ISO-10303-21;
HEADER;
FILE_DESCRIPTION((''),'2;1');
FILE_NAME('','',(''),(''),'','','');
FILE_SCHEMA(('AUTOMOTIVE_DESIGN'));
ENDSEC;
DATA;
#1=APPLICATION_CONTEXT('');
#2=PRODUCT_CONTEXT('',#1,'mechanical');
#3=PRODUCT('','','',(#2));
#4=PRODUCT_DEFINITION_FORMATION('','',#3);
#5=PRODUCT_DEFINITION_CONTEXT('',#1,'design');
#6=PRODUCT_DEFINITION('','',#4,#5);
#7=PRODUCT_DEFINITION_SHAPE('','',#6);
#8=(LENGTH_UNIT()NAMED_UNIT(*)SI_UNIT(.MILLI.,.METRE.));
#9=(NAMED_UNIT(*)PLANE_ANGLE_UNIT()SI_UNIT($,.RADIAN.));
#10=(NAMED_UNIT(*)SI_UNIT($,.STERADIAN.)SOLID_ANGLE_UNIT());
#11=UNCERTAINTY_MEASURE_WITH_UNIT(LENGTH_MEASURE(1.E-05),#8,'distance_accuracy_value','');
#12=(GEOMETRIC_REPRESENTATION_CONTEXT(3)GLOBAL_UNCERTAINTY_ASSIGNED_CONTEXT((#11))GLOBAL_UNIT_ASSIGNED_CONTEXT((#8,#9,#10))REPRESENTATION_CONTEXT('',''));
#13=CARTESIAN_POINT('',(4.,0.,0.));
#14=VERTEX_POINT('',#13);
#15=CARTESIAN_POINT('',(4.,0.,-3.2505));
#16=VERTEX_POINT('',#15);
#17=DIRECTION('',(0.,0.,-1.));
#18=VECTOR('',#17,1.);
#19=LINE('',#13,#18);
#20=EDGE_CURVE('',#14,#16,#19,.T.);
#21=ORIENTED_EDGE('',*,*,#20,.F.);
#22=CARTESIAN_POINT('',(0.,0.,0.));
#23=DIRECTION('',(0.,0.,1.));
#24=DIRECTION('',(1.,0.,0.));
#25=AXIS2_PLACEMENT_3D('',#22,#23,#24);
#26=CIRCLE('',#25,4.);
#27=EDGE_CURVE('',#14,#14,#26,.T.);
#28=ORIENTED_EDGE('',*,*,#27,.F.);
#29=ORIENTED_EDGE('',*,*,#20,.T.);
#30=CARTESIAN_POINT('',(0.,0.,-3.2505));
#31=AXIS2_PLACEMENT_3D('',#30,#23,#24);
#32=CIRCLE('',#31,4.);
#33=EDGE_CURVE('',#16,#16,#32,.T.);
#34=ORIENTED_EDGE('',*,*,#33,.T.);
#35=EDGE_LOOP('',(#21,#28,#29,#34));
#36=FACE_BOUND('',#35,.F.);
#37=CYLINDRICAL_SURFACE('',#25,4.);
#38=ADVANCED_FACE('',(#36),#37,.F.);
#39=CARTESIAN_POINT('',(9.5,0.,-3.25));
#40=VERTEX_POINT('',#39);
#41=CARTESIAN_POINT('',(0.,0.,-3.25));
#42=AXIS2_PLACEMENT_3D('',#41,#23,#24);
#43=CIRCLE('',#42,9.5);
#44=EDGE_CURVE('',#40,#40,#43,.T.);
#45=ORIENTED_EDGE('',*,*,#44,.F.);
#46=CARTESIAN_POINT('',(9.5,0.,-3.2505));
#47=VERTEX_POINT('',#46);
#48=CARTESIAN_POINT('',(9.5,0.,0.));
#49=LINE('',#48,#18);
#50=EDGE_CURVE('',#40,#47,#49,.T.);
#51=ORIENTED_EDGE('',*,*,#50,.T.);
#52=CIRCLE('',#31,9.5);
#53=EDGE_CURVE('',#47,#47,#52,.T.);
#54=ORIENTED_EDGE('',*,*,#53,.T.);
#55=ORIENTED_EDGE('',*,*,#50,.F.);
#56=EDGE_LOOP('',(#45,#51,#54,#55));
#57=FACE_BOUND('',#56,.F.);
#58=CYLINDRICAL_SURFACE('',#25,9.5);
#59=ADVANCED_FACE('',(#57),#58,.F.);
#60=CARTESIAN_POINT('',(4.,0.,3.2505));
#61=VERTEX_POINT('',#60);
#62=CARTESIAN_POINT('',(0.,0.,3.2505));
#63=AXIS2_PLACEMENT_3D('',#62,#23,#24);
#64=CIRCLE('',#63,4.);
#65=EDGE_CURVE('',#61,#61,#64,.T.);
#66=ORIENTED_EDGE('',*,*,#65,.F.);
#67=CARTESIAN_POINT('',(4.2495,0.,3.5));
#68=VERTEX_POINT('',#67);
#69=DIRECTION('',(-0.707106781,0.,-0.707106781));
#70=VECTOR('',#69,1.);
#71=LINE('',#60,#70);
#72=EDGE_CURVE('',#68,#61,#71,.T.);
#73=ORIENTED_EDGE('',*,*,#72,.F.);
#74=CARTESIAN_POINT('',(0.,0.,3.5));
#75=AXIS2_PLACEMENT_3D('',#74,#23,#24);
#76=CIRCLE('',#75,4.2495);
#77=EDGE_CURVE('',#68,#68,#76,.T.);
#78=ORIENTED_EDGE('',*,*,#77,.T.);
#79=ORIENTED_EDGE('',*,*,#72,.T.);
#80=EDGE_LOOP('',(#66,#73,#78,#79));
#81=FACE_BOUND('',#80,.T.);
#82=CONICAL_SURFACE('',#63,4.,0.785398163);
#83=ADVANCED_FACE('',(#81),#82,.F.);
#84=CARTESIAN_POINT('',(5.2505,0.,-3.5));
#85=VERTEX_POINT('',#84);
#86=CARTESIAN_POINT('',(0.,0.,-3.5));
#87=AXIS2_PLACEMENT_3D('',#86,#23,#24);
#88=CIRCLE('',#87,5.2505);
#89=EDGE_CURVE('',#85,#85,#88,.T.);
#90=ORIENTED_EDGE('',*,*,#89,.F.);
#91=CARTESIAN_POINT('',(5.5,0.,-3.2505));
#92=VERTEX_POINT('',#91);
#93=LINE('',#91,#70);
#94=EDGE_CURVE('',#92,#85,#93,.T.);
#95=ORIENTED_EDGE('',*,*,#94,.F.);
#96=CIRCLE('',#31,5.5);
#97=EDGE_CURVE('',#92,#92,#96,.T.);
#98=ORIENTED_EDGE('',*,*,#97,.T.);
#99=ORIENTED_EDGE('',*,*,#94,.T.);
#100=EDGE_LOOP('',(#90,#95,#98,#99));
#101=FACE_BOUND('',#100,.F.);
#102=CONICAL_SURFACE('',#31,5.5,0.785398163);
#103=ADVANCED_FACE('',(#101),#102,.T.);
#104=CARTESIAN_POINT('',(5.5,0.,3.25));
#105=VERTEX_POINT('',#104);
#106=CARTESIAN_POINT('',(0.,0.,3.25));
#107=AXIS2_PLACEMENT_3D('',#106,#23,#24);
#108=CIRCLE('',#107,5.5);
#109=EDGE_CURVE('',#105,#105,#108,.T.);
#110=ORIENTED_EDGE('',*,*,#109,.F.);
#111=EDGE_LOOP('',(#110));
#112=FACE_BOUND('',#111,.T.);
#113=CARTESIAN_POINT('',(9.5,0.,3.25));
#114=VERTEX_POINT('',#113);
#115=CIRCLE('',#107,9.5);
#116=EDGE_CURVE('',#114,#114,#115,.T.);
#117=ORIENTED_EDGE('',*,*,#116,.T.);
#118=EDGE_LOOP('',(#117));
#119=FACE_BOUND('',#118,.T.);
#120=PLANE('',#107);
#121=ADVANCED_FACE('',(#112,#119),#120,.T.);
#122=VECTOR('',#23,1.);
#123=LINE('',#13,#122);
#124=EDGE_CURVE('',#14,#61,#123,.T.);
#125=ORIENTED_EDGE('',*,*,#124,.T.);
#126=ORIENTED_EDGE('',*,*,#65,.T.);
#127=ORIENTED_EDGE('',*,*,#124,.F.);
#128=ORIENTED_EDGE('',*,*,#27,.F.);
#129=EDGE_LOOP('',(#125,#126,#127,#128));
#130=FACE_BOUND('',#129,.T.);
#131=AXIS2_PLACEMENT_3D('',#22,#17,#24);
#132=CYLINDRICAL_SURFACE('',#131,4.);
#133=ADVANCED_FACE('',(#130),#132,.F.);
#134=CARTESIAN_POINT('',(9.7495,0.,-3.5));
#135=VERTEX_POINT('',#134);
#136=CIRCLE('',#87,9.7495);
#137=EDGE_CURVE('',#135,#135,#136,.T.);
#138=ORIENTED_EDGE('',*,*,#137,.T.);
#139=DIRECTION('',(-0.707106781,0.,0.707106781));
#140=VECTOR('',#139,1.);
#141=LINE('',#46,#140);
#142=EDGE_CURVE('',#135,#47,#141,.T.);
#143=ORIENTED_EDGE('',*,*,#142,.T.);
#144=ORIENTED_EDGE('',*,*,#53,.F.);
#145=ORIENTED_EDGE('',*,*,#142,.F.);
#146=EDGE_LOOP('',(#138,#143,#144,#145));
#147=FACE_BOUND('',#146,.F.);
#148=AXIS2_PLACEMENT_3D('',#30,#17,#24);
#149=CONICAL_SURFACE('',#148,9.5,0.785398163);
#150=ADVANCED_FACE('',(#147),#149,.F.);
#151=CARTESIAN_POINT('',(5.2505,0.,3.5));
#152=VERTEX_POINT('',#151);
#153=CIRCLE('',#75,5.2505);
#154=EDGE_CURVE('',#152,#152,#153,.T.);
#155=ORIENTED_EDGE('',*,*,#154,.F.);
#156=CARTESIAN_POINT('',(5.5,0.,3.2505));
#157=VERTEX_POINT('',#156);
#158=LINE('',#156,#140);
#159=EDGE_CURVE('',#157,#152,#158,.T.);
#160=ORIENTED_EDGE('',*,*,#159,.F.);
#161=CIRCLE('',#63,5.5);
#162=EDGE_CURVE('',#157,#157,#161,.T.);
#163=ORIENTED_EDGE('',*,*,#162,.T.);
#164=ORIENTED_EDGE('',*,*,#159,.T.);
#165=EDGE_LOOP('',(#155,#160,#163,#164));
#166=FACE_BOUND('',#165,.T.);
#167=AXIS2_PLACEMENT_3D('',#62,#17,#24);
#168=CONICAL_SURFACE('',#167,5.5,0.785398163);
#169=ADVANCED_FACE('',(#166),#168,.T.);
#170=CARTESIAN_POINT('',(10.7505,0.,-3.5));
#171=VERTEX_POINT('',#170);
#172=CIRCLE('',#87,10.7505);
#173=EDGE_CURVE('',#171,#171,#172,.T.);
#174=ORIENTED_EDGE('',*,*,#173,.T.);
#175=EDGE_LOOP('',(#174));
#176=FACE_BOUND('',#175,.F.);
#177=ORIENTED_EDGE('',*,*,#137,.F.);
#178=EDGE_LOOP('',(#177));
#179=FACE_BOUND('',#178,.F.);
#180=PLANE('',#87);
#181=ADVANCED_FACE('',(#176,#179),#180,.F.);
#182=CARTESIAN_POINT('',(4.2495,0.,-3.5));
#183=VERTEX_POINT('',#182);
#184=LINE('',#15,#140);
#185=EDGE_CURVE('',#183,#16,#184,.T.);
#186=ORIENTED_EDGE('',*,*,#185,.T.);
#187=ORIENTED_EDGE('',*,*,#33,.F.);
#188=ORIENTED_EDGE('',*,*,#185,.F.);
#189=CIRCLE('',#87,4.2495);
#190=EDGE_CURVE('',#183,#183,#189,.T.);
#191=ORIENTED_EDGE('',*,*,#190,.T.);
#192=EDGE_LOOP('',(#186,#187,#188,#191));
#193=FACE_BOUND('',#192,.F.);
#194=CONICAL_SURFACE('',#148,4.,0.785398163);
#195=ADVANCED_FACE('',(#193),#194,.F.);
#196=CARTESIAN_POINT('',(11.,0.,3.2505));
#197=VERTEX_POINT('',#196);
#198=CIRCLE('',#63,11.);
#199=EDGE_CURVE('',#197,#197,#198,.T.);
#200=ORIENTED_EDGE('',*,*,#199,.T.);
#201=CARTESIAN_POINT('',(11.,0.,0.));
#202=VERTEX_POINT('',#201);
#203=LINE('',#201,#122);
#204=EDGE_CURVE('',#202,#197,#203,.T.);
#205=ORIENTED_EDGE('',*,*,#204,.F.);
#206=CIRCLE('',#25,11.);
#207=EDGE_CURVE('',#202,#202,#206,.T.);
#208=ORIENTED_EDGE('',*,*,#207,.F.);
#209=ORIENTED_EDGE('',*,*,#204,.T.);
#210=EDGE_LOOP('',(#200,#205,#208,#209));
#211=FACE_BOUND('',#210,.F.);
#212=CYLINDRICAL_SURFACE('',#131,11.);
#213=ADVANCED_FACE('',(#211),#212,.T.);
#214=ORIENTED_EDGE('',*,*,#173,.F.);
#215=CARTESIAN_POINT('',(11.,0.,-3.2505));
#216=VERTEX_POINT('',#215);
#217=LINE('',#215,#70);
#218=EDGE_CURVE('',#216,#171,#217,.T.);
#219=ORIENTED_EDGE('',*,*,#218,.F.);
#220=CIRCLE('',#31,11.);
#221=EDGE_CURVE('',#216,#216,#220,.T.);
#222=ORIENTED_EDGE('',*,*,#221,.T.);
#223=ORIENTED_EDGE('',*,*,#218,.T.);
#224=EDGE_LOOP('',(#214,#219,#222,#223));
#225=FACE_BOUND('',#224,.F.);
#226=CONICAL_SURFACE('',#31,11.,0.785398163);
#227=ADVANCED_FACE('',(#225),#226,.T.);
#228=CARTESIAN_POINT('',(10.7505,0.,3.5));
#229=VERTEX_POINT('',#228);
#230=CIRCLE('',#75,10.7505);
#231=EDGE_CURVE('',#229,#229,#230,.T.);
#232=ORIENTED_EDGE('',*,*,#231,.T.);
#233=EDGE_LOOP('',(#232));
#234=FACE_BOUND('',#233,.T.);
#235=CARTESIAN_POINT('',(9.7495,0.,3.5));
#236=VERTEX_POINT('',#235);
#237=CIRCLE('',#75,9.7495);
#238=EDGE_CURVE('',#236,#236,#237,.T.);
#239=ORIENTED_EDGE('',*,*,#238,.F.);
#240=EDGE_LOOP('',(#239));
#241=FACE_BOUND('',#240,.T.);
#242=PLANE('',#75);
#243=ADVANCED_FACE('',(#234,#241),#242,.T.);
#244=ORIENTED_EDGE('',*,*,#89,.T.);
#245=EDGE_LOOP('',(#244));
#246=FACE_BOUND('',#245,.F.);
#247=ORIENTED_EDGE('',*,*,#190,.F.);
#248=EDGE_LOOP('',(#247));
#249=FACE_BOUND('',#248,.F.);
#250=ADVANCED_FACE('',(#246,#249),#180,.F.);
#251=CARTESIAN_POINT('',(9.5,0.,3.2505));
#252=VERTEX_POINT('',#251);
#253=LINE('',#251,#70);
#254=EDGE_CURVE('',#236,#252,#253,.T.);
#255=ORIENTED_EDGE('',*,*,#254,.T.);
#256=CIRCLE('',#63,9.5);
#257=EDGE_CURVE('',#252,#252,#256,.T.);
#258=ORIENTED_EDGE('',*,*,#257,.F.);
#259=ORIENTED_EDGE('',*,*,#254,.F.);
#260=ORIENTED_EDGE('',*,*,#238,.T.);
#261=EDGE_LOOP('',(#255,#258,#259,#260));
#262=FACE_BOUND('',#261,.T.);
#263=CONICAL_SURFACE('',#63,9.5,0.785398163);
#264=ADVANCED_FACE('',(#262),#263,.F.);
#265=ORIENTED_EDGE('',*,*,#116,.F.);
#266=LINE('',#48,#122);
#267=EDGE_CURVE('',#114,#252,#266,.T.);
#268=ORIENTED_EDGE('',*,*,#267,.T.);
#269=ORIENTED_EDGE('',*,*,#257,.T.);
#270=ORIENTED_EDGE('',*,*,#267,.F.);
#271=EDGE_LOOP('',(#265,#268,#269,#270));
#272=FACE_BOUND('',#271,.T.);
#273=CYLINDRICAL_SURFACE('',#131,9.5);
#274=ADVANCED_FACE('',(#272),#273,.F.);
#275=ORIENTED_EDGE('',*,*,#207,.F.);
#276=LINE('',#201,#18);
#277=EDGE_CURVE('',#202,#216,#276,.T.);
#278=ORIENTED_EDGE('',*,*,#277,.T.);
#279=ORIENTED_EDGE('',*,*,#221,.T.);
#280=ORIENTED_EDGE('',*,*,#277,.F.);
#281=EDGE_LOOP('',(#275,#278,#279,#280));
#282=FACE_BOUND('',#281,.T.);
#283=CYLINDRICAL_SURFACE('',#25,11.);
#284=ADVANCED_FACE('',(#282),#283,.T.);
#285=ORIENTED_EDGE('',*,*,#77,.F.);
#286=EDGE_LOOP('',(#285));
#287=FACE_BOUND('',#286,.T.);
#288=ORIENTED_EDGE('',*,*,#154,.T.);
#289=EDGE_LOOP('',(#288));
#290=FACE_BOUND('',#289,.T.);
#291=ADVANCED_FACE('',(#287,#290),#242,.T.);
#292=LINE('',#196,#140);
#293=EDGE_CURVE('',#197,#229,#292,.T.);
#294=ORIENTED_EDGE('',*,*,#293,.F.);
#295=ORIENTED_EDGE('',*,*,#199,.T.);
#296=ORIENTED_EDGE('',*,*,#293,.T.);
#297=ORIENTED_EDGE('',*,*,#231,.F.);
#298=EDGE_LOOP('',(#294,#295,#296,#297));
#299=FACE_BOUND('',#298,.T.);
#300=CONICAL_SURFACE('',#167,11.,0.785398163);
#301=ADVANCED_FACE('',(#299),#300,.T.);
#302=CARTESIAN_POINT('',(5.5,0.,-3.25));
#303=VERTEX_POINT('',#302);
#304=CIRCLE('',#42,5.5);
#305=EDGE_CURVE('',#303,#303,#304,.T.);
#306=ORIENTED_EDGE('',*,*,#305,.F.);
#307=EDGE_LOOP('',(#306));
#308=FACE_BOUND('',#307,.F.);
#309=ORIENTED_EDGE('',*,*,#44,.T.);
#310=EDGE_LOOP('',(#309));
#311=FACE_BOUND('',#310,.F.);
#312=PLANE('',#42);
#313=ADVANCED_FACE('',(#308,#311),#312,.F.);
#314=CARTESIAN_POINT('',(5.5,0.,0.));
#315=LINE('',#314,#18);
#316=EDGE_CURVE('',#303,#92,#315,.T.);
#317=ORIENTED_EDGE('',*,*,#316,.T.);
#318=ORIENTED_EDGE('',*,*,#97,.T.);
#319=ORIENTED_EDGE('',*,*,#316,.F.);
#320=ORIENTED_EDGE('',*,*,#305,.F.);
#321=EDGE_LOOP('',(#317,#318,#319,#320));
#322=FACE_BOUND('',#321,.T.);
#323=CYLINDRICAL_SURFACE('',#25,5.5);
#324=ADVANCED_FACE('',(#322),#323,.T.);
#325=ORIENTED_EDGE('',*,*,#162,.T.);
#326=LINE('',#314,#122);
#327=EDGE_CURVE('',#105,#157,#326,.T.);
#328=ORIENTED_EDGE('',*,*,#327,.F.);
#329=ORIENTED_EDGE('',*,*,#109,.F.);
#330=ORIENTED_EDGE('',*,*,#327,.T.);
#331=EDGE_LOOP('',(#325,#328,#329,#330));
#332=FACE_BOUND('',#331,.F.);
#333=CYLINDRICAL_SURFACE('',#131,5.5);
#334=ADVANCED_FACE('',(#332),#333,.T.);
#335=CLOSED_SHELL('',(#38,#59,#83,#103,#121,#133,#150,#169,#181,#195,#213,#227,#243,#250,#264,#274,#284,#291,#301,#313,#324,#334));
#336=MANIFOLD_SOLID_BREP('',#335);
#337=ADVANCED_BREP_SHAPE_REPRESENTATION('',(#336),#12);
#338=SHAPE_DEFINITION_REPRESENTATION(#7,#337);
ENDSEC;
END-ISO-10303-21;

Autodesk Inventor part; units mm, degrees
ref_plane "YZ Plane" through (0, 0, 0) normal (1, 0, 0) x (0, 1, 0)
ref_plane "XZ Plane" through (0, 0, 0) normal (0, 1, 0) x (-1, 0, 0)
ref_plane "XY Plane" through (0, 0, 0) normal (0, 0, 1) x (1, 0, 0)
sketch "Sketch1" plane through (0, 0, 0) normal (0, 0, 1) x (1, 0, 0)
  circle A0 centre (0, 0) radius 11
  circle A1 centre (0, 0) radius 4
  circle A2 centre (0, 0) radius 9.5
  circle A3 centre (0, 0) radius 5.5
  dimension "d0" = 22
  dimension "d1" = 8
  dimension "d2" = 1.5
  dimension "d3" = 1.5
extrude "Extrusion1" add sketch "Sketch1" along normal mid plane 7
extrude "Extrusion2" add sketch "Sketch1" along normal mid plane 6.5 contours A2
chamfer "Chamfer1" distance 0.25 angle 45 8 edges at (-9.5, 0, 3.5) (-11, 0, 3.5) (-4, 0, -3.5) (-5.5, 0, -3.5) (-9.5, 0, -3.5) (-11, 0, -3.5) (-5.5, 0, 3.5) (-4, 0, 3.5)
properties part number "608-2RS Bearing" material "Steel, Carbon"
